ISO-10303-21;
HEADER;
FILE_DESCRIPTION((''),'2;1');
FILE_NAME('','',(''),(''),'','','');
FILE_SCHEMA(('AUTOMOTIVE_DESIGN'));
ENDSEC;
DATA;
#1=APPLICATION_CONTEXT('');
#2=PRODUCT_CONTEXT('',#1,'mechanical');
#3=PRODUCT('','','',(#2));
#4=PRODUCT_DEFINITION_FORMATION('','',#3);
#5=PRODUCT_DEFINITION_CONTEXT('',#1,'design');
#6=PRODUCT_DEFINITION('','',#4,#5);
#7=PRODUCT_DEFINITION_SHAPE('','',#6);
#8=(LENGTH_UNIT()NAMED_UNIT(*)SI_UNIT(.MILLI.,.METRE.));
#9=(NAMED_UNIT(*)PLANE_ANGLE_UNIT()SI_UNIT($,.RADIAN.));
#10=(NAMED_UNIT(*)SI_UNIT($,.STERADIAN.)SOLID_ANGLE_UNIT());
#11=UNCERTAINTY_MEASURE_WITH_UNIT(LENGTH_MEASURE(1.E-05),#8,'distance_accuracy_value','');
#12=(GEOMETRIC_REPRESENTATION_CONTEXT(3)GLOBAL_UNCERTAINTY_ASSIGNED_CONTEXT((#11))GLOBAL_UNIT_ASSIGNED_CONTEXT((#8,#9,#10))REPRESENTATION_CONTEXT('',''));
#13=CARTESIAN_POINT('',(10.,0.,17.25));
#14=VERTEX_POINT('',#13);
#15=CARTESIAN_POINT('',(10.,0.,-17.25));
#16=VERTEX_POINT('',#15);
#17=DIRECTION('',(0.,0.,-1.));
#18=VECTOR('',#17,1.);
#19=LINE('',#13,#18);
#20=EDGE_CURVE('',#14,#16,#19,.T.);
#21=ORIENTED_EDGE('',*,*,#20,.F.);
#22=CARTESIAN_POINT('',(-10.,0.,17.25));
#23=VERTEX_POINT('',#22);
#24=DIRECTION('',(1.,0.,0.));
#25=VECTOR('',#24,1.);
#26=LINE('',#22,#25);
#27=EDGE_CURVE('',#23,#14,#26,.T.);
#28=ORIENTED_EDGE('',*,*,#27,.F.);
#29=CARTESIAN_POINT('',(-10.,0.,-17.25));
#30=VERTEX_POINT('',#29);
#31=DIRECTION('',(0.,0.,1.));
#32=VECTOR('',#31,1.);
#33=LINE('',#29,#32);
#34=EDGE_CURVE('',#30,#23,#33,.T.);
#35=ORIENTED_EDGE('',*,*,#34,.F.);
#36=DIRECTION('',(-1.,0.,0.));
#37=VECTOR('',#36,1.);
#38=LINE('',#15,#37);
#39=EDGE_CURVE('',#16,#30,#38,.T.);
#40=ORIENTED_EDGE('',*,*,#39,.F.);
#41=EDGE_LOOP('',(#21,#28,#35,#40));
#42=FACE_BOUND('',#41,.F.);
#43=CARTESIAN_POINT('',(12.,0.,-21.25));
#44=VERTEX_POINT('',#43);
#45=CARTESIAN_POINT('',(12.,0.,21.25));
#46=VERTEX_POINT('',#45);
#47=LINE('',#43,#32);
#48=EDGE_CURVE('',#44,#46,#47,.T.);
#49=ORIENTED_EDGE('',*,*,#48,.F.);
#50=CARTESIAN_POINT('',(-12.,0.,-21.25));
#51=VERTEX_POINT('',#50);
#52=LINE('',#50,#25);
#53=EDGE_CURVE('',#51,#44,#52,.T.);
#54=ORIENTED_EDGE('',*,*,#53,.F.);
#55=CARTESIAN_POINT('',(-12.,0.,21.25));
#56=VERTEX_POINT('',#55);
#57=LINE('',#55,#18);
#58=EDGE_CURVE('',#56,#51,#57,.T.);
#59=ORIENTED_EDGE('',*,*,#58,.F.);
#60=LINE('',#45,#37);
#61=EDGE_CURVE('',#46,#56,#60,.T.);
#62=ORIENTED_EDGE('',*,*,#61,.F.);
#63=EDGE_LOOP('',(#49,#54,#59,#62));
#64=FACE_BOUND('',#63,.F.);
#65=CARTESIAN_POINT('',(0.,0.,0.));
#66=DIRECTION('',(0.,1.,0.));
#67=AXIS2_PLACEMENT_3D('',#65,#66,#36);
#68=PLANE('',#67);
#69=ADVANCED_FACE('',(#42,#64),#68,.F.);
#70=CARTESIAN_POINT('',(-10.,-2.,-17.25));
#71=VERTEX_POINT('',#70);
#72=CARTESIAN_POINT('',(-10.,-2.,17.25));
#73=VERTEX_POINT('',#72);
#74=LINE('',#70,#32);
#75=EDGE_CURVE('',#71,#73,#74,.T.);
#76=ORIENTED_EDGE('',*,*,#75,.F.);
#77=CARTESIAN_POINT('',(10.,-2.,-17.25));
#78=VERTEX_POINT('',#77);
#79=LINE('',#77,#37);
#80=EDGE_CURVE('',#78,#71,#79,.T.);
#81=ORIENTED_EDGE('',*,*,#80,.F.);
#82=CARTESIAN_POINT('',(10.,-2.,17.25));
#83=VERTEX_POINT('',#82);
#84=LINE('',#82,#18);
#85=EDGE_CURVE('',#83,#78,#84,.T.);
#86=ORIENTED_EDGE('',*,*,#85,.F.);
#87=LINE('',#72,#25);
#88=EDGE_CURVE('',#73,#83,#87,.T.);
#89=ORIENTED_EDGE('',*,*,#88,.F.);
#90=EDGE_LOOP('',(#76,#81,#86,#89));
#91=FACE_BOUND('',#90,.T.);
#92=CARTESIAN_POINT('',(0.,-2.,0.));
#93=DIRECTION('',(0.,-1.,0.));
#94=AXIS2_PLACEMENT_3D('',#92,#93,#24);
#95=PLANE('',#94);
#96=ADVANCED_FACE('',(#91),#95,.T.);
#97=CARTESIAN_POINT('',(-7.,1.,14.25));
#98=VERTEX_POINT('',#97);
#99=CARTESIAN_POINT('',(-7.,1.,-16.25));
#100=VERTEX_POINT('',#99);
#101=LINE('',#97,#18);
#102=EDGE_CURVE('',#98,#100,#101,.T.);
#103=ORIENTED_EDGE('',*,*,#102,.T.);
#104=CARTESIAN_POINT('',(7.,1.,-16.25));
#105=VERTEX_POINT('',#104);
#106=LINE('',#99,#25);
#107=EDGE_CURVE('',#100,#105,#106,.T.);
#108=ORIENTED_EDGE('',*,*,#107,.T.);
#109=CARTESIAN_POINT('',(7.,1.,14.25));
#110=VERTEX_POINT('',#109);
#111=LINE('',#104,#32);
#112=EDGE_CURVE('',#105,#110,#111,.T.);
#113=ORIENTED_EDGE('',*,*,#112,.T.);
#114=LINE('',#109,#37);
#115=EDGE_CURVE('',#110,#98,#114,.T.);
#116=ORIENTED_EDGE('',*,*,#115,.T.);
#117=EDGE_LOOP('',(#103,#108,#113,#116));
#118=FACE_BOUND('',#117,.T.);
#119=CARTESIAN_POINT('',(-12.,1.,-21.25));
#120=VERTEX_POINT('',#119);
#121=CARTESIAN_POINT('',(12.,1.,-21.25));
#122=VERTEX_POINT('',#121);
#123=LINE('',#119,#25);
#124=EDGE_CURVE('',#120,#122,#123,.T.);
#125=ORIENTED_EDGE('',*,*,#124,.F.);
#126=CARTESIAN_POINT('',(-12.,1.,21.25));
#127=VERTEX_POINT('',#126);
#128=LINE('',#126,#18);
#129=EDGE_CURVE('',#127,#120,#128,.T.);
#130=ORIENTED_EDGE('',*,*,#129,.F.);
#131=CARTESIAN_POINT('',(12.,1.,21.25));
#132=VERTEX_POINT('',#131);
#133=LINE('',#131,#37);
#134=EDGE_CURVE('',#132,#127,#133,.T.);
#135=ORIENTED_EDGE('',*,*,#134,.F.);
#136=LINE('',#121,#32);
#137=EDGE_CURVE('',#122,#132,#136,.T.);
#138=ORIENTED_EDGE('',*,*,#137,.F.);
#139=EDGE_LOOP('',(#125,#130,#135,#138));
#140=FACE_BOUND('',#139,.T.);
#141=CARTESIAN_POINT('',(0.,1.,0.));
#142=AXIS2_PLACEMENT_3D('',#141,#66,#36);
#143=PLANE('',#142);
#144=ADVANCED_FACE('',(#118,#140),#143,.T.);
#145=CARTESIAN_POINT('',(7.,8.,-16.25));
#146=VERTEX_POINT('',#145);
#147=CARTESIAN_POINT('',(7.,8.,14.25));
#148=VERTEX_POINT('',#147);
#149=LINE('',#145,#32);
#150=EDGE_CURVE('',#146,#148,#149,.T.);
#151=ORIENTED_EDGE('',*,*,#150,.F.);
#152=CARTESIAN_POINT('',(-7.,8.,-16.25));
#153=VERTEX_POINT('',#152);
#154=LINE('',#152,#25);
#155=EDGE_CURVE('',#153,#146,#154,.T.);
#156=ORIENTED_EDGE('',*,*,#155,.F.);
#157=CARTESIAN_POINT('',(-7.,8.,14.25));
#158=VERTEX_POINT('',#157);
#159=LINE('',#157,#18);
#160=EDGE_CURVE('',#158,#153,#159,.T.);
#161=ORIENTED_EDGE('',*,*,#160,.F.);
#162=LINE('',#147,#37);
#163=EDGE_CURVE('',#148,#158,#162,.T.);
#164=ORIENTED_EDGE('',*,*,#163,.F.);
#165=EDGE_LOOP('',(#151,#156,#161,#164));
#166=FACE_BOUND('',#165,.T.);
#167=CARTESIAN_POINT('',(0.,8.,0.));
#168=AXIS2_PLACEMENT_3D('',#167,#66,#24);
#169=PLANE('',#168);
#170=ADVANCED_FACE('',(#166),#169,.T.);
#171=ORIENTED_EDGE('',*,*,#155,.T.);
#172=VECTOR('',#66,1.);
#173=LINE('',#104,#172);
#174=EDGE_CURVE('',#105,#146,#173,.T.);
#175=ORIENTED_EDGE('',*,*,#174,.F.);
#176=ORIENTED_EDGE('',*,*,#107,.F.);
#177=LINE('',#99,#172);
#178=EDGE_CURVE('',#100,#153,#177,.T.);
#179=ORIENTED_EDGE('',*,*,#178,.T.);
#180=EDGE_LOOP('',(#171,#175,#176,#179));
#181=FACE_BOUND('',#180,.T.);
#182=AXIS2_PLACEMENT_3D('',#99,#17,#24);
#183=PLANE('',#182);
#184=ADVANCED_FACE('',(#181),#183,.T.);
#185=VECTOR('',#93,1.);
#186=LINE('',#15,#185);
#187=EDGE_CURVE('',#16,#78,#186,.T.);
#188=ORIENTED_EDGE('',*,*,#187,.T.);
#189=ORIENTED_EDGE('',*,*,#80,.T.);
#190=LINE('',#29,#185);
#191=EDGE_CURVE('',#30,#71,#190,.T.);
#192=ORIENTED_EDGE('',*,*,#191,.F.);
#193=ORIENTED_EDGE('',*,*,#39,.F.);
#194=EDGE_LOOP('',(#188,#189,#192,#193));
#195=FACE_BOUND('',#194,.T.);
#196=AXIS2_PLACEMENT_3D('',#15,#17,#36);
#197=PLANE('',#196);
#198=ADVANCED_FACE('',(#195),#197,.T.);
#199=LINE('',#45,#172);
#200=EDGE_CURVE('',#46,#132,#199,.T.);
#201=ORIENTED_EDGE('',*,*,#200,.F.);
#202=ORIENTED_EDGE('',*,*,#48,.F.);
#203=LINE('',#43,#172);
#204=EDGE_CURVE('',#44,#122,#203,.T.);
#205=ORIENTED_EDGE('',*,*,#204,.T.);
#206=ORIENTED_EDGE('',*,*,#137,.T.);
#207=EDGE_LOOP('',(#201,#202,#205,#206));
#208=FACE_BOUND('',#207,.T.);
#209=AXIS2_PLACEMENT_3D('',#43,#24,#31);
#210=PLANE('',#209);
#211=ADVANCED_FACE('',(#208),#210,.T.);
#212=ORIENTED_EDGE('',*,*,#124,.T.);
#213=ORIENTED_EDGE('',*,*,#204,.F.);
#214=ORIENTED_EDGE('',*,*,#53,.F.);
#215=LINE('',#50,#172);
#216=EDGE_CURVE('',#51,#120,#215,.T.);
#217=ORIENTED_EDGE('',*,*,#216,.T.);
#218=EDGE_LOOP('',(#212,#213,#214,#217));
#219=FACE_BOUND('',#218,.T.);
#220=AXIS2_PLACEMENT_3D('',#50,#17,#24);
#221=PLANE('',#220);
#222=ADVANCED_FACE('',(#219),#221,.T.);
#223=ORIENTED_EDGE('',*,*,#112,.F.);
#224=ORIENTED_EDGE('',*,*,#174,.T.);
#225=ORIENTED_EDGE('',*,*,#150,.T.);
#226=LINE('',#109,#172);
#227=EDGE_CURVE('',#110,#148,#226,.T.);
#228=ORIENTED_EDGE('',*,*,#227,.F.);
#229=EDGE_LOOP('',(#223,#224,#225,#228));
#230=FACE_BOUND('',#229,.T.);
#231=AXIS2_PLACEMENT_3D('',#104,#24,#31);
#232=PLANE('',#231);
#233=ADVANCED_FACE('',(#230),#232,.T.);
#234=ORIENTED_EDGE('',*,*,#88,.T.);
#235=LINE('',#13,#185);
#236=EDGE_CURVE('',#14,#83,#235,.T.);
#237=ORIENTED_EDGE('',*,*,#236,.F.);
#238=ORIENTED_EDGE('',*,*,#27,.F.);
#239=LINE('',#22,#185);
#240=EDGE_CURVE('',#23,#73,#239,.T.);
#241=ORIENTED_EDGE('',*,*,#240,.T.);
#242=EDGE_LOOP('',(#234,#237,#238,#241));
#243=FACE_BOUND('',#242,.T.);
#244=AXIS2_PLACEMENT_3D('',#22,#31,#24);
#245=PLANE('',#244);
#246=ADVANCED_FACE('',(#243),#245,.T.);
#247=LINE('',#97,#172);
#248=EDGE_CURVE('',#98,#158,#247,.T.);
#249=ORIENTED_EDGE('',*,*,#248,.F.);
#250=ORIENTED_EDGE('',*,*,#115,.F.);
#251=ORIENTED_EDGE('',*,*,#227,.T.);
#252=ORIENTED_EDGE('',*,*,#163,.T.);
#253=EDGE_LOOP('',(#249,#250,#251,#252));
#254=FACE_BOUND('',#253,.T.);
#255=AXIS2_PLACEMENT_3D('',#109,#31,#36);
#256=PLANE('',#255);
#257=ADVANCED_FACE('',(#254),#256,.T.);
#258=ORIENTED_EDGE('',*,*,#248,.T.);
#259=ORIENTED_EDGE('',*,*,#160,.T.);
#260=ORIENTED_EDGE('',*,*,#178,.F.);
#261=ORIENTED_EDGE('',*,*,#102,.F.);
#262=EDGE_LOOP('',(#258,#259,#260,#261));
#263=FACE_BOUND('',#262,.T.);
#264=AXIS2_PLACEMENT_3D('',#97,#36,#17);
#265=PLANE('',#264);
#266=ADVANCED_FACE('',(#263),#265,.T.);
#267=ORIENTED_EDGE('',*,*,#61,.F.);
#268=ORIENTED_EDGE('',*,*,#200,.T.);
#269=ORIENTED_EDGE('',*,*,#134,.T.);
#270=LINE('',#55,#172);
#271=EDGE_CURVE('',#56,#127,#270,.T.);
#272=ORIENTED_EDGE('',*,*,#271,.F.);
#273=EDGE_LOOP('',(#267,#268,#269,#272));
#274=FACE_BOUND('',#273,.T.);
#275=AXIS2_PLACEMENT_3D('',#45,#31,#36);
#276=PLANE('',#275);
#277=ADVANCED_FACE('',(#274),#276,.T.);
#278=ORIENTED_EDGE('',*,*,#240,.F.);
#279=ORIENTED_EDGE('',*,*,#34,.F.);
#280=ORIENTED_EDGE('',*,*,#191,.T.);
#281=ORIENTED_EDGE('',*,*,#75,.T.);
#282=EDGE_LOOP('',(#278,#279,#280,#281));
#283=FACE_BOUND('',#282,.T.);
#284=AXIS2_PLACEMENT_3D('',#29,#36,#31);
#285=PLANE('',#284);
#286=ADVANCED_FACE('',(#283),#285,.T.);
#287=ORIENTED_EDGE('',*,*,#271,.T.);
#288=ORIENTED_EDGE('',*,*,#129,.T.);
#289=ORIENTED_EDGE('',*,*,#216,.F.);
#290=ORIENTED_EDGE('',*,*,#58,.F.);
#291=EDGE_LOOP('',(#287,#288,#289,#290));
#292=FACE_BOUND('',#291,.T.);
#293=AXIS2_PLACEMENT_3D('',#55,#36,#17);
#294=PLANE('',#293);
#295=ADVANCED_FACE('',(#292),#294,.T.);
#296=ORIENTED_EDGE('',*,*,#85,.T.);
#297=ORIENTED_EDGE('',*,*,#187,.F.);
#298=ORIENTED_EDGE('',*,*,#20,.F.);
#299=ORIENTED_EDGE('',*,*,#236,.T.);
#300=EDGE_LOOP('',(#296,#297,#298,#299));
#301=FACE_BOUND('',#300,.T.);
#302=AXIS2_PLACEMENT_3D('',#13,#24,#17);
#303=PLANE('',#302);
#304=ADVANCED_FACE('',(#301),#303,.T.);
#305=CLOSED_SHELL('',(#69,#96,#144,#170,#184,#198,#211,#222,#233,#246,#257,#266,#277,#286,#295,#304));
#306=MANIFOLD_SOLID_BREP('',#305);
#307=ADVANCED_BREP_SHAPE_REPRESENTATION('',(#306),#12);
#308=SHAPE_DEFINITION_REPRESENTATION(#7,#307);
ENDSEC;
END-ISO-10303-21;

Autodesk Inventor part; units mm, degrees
ref_plane "YZ Plane" through (0, 0, 0) normal (1, 0, 0) x (0, 1, 0)
ref_plane "XZ Plane" through (0, 0, 0) normal (0, 1, 0) x (-1, 0, 0)
ref_plane "XY Plane" through (0, 0, 0) normal (0, 0, 1) x (1, 0, 0)
sketch "スケッチ1" plane through (0, 0, 0) normal (0, 1, 0) x (-1, 0, 0)
  line L0 (12, -21.25) -> (-12, -21.25)
  line L1 (-12, -21.25) -> (-12, 21.25)
  line L2 (-12, 21.25) -> (12, 21.25)
  line L3 (12, 21.25) -> (12, -21.25)
  line L4 (12, -21.25) -> (-12, 21.25) construction
  line L5 (-12, -21.25) -> (12, 21.25) construction
  point P0 (0, 0)
  dimension "d0" = 24
  dimension "d1" = 42.5
extrude "押し出し1" add sketch "スケッチ1" along normal blind 1
sketch "スケッチ2" plane through (0, 0, 0) normal (0, -1, 0) x (1, 0, 0)
  line L0 (-12, 21.25) -> (12, 21.25) projected
  line L1 (-12, -21.25) -> (-12, 21.25) projected
  line L2 (12, -21.25) -> (-12, -21.25) projected
  line L3 (12, 21.25) -> (12, -21.25) projected
  line L4 (-10, 17.25) -> (10, 17.25)
  line L5 (10, 17.25) -> (10, -17.25)
  line L6 (10, -17.25) -> (-10, -17.25)
  line L7 (-10, -17.25) -> (-10, 17.25)
  point P0 (0, 0)
  dimension "d4" = 4
  dimension "d5" = 4
  dimension "d6" = 2
  dimension "d7" = 2
extrude "押し出し2" add sketch "スケッチ2" along normal blind 2 contours L4 L5 L6 L7
sketch "スケッチ3" plane through (0, 1, 0) normal (0, 1, 0) x (1, 0, 0)
  line L0 (7, -14.25) -> (-7, -14.25)
  line L1 (-7, -14.25) -> (-7, 16.25)
  line L2 (-7, 16.25) -> (7, 16.25)
  line L3 (7, 16.25) -> (7, -14.25)
  line L4 (-12, -21.25) -> (12, -21.25) projected
  line L5 (12, 21.25) -> (-12, 21.25) projected
  line L6 (12, -21.25) -> (12, 21.25) projected
  line L7 (-12, 21.25) -> (-12, -21.25) projected
  point P0 (0, 0)
  dimension "d10" = 7
  dimension "d11" = 5
  dimension "d12" = 5
  dimension "d13" = 5
extrude "押し出し3" add sketch "スケッチ3" along normal blind 7 contours L0 L1 L2 L3
properties part number "HW-069"
